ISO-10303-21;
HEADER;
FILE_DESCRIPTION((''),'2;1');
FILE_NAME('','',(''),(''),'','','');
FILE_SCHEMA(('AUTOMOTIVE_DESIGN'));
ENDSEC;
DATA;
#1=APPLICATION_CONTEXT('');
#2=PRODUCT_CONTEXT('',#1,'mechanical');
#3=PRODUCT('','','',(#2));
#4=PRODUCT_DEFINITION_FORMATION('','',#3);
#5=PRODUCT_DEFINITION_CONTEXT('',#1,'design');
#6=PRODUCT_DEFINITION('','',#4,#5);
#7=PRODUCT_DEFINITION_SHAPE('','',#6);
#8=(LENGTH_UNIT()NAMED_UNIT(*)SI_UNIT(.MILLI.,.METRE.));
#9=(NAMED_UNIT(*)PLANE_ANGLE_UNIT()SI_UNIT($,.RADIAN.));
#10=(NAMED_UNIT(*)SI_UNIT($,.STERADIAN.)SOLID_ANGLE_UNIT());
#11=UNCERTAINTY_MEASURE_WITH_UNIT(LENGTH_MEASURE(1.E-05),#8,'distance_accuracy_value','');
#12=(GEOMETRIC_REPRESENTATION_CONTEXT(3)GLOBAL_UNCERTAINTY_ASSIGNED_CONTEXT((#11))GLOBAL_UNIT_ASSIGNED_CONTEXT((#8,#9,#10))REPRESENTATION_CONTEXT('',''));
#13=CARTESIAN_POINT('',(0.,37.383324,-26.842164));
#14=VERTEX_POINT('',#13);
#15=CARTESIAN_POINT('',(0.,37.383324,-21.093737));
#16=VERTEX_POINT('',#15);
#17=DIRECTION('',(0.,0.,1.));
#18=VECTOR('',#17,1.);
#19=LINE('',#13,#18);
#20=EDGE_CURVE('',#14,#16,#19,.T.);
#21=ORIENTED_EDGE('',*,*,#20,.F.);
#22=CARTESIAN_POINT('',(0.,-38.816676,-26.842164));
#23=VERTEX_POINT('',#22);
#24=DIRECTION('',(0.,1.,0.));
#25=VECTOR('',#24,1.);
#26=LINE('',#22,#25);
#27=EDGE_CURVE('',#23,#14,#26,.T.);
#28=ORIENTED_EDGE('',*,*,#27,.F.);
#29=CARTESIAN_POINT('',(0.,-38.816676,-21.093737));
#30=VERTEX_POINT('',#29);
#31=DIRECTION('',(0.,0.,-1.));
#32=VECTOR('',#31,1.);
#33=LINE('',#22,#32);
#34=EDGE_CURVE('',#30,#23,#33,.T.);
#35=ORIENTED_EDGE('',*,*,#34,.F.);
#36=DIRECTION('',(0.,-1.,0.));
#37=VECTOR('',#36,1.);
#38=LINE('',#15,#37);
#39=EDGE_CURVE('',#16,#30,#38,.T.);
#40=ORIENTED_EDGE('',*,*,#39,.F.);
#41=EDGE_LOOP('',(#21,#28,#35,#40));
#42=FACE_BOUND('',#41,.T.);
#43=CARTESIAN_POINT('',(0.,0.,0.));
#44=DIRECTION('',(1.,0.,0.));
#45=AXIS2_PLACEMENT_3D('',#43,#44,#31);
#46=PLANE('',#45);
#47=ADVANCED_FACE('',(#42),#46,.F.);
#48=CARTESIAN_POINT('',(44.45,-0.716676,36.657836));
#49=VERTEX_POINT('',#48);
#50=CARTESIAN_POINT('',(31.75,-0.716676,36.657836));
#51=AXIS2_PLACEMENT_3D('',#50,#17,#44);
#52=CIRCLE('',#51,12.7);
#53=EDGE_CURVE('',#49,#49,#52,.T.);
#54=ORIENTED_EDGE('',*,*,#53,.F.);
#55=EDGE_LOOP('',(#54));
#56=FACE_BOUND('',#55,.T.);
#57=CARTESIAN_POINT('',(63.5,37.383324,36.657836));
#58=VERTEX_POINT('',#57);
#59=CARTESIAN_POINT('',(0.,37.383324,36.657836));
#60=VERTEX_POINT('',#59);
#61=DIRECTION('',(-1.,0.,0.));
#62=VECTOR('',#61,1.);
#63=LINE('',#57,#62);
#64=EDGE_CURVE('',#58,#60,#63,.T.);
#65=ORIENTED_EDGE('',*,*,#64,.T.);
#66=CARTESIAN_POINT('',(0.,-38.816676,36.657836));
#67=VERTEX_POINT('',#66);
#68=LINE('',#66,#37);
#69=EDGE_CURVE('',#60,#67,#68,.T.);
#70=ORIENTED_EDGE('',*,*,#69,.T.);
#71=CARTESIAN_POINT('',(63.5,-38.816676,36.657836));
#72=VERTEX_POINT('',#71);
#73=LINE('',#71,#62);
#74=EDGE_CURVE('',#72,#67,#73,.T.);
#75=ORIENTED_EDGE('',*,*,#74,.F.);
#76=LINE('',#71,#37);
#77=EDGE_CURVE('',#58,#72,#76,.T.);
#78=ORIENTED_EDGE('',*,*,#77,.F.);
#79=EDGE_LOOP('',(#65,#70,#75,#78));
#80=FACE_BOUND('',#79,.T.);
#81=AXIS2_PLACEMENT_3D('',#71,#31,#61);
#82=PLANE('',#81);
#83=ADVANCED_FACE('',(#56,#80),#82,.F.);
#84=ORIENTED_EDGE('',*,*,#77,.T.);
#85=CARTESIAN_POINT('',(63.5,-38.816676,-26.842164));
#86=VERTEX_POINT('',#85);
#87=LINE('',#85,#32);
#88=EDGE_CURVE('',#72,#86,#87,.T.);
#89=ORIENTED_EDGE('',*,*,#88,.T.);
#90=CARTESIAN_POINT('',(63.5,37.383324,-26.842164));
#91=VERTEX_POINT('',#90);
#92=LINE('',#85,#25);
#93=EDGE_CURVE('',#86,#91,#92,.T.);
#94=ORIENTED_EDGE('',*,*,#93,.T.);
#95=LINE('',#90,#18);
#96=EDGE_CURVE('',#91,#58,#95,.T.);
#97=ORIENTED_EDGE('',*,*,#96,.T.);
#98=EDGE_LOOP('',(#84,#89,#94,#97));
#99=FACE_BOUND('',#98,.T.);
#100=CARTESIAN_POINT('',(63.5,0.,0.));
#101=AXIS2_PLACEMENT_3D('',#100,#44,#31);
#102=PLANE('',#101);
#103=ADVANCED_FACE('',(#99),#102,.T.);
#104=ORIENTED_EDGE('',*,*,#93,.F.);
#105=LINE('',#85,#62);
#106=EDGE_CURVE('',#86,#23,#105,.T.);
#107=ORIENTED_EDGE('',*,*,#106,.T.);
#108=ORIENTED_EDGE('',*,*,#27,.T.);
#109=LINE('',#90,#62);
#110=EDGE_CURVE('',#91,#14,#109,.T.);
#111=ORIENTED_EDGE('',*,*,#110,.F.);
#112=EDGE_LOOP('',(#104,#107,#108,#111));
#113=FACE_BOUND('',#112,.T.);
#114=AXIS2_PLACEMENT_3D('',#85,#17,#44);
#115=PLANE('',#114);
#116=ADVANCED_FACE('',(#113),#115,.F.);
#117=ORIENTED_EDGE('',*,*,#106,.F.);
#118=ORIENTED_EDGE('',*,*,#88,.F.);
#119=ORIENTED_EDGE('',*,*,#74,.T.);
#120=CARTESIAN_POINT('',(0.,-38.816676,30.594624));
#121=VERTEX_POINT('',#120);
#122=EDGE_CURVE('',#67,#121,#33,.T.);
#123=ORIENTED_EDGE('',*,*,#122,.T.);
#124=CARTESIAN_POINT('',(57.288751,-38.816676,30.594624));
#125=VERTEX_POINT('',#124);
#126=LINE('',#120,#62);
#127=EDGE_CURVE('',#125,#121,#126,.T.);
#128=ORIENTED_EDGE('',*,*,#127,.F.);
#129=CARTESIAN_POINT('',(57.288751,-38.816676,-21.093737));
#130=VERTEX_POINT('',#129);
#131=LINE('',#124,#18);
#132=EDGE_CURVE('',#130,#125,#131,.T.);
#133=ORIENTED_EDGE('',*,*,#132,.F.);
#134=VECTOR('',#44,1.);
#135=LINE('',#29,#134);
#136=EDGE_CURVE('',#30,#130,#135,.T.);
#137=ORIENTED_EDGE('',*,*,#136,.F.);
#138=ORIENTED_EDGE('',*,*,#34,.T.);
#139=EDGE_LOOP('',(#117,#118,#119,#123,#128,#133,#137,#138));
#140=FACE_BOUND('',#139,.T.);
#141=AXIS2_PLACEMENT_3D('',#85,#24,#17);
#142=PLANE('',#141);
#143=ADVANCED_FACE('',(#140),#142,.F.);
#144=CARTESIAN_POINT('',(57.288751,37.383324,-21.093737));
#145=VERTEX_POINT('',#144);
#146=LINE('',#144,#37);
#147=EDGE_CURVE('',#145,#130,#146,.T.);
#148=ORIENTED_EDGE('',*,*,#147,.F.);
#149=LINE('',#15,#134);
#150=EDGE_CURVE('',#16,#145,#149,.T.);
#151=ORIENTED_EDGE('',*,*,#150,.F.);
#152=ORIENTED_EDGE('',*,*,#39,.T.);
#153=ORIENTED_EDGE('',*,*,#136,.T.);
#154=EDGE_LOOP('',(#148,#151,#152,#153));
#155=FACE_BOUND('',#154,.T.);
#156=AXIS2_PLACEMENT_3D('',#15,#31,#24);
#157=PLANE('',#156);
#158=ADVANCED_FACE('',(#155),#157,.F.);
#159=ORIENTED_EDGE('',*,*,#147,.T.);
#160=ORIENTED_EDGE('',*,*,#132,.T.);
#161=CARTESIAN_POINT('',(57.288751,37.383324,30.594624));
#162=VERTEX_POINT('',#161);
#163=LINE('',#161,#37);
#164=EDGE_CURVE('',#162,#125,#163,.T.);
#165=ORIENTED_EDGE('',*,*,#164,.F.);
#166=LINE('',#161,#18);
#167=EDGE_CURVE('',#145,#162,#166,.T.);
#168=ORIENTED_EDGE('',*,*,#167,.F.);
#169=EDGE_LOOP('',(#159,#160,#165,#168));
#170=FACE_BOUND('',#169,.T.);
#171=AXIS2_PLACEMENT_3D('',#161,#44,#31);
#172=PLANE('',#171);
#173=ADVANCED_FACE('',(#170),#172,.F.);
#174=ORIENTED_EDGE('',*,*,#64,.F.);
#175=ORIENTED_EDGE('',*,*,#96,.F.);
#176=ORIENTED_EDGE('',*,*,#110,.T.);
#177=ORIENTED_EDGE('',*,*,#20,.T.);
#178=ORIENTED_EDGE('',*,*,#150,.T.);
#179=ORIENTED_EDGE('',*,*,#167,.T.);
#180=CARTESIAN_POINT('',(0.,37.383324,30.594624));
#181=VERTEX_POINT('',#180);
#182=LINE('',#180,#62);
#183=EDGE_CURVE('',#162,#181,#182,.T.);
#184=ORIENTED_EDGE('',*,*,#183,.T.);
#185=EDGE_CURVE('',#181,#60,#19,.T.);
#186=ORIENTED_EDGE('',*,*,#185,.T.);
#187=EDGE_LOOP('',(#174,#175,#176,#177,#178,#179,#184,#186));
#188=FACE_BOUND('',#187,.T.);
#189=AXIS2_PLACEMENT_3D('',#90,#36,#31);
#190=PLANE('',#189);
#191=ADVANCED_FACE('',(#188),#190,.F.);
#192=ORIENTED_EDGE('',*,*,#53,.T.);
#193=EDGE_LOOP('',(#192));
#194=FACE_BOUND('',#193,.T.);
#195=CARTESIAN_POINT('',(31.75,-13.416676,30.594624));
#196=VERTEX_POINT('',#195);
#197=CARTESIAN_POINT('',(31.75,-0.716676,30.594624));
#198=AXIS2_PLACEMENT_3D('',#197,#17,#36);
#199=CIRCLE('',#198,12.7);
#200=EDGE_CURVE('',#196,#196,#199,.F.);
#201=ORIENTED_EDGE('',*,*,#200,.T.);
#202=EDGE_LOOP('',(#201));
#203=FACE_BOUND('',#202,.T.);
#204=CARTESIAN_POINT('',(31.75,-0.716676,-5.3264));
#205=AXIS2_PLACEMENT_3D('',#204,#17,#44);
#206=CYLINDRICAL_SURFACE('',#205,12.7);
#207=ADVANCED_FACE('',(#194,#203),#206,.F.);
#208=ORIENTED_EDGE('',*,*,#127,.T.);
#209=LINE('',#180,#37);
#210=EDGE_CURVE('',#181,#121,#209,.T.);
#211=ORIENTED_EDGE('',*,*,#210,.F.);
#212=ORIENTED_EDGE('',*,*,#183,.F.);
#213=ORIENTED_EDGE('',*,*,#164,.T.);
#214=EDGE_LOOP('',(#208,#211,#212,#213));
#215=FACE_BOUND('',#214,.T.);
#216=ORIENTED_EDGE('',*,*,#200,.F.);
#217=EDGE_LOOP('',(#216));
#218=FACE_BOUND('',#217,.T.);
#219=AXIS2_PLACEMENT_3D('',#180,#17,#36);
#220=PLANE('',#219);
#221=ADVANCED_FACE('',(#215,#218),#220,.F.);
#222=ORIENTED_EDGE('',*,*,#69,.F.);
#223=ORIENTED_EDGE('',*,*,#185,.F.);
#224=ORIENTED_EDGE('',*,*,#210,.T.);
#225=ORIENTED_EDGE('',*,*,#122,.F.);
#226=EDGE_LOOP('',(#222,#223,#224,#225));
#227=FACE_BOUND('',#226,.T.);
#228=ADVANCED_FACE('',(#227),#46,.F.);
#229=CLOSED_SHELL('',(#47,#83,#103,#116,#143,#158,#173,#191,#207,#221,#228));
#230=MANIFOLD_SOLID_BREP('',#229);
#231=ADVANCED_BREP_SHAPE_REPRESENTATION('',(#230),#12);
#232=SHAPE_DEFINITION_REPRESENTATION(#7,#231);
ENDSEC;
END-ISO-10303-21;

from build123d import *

# Parameters (mm, degrees)
SKETCH3_W           = 63.5
SKETCH3_H           = 76.2
BOSS_EXTRUDE1_DEPTH = 63.5
SKETCH20_W          = 57.288750963
SKETCH20_H          = 51.688361778
CUT_EXTRUDE2_DEPTH  = 106.747278632
SKETCH21_R          = 12.7
CUT_EXTRUDE4_DEPTH  = 6.063211567


with BuildPart() as part:
    # Sketch3 → Boss-Extrude1 (new body)
    with BuildSketch(Plane(origin=(0, 0, 0), x_dir=(0, 0, -1), z_dir=(1, 0, 0))):
        with Locations((-4.90783597, -0.71667611)):
            Rectangle(SKETCH3_W, SKETCH3_H)
    extrude(amount=BOSS_EXTRUDE1_DEPTH)

    # Sketch20 → Cut-Extrude2 (cut, through all)
    with BuildSketch(Plane(origin=(0, -38.81667611, 0), x_dir=(-1, 0, 0), z_dir=(0, -1, 0))):
        with Locations((-28.644375482, -4.750443514)):
            Rectangle(SKETCH20_W, SKETCH20_H)
    extrude(amount=-CUT_EXTRUDE2_DEPTH, mode=Mode.SUBTRACT)

    # Sketch21 → Cut-Extrude4 (cut)
    with BuildSketch(Plane.XY.offset(36.65783597)):
        with Locations((31.75, -0.71667611)):
            Circle(SKETCH21_R)
    extrude(amount=-CUT_EXTRUDE4_DEPTH, mode=Mode.SUBTRACT)


solid = part.part
